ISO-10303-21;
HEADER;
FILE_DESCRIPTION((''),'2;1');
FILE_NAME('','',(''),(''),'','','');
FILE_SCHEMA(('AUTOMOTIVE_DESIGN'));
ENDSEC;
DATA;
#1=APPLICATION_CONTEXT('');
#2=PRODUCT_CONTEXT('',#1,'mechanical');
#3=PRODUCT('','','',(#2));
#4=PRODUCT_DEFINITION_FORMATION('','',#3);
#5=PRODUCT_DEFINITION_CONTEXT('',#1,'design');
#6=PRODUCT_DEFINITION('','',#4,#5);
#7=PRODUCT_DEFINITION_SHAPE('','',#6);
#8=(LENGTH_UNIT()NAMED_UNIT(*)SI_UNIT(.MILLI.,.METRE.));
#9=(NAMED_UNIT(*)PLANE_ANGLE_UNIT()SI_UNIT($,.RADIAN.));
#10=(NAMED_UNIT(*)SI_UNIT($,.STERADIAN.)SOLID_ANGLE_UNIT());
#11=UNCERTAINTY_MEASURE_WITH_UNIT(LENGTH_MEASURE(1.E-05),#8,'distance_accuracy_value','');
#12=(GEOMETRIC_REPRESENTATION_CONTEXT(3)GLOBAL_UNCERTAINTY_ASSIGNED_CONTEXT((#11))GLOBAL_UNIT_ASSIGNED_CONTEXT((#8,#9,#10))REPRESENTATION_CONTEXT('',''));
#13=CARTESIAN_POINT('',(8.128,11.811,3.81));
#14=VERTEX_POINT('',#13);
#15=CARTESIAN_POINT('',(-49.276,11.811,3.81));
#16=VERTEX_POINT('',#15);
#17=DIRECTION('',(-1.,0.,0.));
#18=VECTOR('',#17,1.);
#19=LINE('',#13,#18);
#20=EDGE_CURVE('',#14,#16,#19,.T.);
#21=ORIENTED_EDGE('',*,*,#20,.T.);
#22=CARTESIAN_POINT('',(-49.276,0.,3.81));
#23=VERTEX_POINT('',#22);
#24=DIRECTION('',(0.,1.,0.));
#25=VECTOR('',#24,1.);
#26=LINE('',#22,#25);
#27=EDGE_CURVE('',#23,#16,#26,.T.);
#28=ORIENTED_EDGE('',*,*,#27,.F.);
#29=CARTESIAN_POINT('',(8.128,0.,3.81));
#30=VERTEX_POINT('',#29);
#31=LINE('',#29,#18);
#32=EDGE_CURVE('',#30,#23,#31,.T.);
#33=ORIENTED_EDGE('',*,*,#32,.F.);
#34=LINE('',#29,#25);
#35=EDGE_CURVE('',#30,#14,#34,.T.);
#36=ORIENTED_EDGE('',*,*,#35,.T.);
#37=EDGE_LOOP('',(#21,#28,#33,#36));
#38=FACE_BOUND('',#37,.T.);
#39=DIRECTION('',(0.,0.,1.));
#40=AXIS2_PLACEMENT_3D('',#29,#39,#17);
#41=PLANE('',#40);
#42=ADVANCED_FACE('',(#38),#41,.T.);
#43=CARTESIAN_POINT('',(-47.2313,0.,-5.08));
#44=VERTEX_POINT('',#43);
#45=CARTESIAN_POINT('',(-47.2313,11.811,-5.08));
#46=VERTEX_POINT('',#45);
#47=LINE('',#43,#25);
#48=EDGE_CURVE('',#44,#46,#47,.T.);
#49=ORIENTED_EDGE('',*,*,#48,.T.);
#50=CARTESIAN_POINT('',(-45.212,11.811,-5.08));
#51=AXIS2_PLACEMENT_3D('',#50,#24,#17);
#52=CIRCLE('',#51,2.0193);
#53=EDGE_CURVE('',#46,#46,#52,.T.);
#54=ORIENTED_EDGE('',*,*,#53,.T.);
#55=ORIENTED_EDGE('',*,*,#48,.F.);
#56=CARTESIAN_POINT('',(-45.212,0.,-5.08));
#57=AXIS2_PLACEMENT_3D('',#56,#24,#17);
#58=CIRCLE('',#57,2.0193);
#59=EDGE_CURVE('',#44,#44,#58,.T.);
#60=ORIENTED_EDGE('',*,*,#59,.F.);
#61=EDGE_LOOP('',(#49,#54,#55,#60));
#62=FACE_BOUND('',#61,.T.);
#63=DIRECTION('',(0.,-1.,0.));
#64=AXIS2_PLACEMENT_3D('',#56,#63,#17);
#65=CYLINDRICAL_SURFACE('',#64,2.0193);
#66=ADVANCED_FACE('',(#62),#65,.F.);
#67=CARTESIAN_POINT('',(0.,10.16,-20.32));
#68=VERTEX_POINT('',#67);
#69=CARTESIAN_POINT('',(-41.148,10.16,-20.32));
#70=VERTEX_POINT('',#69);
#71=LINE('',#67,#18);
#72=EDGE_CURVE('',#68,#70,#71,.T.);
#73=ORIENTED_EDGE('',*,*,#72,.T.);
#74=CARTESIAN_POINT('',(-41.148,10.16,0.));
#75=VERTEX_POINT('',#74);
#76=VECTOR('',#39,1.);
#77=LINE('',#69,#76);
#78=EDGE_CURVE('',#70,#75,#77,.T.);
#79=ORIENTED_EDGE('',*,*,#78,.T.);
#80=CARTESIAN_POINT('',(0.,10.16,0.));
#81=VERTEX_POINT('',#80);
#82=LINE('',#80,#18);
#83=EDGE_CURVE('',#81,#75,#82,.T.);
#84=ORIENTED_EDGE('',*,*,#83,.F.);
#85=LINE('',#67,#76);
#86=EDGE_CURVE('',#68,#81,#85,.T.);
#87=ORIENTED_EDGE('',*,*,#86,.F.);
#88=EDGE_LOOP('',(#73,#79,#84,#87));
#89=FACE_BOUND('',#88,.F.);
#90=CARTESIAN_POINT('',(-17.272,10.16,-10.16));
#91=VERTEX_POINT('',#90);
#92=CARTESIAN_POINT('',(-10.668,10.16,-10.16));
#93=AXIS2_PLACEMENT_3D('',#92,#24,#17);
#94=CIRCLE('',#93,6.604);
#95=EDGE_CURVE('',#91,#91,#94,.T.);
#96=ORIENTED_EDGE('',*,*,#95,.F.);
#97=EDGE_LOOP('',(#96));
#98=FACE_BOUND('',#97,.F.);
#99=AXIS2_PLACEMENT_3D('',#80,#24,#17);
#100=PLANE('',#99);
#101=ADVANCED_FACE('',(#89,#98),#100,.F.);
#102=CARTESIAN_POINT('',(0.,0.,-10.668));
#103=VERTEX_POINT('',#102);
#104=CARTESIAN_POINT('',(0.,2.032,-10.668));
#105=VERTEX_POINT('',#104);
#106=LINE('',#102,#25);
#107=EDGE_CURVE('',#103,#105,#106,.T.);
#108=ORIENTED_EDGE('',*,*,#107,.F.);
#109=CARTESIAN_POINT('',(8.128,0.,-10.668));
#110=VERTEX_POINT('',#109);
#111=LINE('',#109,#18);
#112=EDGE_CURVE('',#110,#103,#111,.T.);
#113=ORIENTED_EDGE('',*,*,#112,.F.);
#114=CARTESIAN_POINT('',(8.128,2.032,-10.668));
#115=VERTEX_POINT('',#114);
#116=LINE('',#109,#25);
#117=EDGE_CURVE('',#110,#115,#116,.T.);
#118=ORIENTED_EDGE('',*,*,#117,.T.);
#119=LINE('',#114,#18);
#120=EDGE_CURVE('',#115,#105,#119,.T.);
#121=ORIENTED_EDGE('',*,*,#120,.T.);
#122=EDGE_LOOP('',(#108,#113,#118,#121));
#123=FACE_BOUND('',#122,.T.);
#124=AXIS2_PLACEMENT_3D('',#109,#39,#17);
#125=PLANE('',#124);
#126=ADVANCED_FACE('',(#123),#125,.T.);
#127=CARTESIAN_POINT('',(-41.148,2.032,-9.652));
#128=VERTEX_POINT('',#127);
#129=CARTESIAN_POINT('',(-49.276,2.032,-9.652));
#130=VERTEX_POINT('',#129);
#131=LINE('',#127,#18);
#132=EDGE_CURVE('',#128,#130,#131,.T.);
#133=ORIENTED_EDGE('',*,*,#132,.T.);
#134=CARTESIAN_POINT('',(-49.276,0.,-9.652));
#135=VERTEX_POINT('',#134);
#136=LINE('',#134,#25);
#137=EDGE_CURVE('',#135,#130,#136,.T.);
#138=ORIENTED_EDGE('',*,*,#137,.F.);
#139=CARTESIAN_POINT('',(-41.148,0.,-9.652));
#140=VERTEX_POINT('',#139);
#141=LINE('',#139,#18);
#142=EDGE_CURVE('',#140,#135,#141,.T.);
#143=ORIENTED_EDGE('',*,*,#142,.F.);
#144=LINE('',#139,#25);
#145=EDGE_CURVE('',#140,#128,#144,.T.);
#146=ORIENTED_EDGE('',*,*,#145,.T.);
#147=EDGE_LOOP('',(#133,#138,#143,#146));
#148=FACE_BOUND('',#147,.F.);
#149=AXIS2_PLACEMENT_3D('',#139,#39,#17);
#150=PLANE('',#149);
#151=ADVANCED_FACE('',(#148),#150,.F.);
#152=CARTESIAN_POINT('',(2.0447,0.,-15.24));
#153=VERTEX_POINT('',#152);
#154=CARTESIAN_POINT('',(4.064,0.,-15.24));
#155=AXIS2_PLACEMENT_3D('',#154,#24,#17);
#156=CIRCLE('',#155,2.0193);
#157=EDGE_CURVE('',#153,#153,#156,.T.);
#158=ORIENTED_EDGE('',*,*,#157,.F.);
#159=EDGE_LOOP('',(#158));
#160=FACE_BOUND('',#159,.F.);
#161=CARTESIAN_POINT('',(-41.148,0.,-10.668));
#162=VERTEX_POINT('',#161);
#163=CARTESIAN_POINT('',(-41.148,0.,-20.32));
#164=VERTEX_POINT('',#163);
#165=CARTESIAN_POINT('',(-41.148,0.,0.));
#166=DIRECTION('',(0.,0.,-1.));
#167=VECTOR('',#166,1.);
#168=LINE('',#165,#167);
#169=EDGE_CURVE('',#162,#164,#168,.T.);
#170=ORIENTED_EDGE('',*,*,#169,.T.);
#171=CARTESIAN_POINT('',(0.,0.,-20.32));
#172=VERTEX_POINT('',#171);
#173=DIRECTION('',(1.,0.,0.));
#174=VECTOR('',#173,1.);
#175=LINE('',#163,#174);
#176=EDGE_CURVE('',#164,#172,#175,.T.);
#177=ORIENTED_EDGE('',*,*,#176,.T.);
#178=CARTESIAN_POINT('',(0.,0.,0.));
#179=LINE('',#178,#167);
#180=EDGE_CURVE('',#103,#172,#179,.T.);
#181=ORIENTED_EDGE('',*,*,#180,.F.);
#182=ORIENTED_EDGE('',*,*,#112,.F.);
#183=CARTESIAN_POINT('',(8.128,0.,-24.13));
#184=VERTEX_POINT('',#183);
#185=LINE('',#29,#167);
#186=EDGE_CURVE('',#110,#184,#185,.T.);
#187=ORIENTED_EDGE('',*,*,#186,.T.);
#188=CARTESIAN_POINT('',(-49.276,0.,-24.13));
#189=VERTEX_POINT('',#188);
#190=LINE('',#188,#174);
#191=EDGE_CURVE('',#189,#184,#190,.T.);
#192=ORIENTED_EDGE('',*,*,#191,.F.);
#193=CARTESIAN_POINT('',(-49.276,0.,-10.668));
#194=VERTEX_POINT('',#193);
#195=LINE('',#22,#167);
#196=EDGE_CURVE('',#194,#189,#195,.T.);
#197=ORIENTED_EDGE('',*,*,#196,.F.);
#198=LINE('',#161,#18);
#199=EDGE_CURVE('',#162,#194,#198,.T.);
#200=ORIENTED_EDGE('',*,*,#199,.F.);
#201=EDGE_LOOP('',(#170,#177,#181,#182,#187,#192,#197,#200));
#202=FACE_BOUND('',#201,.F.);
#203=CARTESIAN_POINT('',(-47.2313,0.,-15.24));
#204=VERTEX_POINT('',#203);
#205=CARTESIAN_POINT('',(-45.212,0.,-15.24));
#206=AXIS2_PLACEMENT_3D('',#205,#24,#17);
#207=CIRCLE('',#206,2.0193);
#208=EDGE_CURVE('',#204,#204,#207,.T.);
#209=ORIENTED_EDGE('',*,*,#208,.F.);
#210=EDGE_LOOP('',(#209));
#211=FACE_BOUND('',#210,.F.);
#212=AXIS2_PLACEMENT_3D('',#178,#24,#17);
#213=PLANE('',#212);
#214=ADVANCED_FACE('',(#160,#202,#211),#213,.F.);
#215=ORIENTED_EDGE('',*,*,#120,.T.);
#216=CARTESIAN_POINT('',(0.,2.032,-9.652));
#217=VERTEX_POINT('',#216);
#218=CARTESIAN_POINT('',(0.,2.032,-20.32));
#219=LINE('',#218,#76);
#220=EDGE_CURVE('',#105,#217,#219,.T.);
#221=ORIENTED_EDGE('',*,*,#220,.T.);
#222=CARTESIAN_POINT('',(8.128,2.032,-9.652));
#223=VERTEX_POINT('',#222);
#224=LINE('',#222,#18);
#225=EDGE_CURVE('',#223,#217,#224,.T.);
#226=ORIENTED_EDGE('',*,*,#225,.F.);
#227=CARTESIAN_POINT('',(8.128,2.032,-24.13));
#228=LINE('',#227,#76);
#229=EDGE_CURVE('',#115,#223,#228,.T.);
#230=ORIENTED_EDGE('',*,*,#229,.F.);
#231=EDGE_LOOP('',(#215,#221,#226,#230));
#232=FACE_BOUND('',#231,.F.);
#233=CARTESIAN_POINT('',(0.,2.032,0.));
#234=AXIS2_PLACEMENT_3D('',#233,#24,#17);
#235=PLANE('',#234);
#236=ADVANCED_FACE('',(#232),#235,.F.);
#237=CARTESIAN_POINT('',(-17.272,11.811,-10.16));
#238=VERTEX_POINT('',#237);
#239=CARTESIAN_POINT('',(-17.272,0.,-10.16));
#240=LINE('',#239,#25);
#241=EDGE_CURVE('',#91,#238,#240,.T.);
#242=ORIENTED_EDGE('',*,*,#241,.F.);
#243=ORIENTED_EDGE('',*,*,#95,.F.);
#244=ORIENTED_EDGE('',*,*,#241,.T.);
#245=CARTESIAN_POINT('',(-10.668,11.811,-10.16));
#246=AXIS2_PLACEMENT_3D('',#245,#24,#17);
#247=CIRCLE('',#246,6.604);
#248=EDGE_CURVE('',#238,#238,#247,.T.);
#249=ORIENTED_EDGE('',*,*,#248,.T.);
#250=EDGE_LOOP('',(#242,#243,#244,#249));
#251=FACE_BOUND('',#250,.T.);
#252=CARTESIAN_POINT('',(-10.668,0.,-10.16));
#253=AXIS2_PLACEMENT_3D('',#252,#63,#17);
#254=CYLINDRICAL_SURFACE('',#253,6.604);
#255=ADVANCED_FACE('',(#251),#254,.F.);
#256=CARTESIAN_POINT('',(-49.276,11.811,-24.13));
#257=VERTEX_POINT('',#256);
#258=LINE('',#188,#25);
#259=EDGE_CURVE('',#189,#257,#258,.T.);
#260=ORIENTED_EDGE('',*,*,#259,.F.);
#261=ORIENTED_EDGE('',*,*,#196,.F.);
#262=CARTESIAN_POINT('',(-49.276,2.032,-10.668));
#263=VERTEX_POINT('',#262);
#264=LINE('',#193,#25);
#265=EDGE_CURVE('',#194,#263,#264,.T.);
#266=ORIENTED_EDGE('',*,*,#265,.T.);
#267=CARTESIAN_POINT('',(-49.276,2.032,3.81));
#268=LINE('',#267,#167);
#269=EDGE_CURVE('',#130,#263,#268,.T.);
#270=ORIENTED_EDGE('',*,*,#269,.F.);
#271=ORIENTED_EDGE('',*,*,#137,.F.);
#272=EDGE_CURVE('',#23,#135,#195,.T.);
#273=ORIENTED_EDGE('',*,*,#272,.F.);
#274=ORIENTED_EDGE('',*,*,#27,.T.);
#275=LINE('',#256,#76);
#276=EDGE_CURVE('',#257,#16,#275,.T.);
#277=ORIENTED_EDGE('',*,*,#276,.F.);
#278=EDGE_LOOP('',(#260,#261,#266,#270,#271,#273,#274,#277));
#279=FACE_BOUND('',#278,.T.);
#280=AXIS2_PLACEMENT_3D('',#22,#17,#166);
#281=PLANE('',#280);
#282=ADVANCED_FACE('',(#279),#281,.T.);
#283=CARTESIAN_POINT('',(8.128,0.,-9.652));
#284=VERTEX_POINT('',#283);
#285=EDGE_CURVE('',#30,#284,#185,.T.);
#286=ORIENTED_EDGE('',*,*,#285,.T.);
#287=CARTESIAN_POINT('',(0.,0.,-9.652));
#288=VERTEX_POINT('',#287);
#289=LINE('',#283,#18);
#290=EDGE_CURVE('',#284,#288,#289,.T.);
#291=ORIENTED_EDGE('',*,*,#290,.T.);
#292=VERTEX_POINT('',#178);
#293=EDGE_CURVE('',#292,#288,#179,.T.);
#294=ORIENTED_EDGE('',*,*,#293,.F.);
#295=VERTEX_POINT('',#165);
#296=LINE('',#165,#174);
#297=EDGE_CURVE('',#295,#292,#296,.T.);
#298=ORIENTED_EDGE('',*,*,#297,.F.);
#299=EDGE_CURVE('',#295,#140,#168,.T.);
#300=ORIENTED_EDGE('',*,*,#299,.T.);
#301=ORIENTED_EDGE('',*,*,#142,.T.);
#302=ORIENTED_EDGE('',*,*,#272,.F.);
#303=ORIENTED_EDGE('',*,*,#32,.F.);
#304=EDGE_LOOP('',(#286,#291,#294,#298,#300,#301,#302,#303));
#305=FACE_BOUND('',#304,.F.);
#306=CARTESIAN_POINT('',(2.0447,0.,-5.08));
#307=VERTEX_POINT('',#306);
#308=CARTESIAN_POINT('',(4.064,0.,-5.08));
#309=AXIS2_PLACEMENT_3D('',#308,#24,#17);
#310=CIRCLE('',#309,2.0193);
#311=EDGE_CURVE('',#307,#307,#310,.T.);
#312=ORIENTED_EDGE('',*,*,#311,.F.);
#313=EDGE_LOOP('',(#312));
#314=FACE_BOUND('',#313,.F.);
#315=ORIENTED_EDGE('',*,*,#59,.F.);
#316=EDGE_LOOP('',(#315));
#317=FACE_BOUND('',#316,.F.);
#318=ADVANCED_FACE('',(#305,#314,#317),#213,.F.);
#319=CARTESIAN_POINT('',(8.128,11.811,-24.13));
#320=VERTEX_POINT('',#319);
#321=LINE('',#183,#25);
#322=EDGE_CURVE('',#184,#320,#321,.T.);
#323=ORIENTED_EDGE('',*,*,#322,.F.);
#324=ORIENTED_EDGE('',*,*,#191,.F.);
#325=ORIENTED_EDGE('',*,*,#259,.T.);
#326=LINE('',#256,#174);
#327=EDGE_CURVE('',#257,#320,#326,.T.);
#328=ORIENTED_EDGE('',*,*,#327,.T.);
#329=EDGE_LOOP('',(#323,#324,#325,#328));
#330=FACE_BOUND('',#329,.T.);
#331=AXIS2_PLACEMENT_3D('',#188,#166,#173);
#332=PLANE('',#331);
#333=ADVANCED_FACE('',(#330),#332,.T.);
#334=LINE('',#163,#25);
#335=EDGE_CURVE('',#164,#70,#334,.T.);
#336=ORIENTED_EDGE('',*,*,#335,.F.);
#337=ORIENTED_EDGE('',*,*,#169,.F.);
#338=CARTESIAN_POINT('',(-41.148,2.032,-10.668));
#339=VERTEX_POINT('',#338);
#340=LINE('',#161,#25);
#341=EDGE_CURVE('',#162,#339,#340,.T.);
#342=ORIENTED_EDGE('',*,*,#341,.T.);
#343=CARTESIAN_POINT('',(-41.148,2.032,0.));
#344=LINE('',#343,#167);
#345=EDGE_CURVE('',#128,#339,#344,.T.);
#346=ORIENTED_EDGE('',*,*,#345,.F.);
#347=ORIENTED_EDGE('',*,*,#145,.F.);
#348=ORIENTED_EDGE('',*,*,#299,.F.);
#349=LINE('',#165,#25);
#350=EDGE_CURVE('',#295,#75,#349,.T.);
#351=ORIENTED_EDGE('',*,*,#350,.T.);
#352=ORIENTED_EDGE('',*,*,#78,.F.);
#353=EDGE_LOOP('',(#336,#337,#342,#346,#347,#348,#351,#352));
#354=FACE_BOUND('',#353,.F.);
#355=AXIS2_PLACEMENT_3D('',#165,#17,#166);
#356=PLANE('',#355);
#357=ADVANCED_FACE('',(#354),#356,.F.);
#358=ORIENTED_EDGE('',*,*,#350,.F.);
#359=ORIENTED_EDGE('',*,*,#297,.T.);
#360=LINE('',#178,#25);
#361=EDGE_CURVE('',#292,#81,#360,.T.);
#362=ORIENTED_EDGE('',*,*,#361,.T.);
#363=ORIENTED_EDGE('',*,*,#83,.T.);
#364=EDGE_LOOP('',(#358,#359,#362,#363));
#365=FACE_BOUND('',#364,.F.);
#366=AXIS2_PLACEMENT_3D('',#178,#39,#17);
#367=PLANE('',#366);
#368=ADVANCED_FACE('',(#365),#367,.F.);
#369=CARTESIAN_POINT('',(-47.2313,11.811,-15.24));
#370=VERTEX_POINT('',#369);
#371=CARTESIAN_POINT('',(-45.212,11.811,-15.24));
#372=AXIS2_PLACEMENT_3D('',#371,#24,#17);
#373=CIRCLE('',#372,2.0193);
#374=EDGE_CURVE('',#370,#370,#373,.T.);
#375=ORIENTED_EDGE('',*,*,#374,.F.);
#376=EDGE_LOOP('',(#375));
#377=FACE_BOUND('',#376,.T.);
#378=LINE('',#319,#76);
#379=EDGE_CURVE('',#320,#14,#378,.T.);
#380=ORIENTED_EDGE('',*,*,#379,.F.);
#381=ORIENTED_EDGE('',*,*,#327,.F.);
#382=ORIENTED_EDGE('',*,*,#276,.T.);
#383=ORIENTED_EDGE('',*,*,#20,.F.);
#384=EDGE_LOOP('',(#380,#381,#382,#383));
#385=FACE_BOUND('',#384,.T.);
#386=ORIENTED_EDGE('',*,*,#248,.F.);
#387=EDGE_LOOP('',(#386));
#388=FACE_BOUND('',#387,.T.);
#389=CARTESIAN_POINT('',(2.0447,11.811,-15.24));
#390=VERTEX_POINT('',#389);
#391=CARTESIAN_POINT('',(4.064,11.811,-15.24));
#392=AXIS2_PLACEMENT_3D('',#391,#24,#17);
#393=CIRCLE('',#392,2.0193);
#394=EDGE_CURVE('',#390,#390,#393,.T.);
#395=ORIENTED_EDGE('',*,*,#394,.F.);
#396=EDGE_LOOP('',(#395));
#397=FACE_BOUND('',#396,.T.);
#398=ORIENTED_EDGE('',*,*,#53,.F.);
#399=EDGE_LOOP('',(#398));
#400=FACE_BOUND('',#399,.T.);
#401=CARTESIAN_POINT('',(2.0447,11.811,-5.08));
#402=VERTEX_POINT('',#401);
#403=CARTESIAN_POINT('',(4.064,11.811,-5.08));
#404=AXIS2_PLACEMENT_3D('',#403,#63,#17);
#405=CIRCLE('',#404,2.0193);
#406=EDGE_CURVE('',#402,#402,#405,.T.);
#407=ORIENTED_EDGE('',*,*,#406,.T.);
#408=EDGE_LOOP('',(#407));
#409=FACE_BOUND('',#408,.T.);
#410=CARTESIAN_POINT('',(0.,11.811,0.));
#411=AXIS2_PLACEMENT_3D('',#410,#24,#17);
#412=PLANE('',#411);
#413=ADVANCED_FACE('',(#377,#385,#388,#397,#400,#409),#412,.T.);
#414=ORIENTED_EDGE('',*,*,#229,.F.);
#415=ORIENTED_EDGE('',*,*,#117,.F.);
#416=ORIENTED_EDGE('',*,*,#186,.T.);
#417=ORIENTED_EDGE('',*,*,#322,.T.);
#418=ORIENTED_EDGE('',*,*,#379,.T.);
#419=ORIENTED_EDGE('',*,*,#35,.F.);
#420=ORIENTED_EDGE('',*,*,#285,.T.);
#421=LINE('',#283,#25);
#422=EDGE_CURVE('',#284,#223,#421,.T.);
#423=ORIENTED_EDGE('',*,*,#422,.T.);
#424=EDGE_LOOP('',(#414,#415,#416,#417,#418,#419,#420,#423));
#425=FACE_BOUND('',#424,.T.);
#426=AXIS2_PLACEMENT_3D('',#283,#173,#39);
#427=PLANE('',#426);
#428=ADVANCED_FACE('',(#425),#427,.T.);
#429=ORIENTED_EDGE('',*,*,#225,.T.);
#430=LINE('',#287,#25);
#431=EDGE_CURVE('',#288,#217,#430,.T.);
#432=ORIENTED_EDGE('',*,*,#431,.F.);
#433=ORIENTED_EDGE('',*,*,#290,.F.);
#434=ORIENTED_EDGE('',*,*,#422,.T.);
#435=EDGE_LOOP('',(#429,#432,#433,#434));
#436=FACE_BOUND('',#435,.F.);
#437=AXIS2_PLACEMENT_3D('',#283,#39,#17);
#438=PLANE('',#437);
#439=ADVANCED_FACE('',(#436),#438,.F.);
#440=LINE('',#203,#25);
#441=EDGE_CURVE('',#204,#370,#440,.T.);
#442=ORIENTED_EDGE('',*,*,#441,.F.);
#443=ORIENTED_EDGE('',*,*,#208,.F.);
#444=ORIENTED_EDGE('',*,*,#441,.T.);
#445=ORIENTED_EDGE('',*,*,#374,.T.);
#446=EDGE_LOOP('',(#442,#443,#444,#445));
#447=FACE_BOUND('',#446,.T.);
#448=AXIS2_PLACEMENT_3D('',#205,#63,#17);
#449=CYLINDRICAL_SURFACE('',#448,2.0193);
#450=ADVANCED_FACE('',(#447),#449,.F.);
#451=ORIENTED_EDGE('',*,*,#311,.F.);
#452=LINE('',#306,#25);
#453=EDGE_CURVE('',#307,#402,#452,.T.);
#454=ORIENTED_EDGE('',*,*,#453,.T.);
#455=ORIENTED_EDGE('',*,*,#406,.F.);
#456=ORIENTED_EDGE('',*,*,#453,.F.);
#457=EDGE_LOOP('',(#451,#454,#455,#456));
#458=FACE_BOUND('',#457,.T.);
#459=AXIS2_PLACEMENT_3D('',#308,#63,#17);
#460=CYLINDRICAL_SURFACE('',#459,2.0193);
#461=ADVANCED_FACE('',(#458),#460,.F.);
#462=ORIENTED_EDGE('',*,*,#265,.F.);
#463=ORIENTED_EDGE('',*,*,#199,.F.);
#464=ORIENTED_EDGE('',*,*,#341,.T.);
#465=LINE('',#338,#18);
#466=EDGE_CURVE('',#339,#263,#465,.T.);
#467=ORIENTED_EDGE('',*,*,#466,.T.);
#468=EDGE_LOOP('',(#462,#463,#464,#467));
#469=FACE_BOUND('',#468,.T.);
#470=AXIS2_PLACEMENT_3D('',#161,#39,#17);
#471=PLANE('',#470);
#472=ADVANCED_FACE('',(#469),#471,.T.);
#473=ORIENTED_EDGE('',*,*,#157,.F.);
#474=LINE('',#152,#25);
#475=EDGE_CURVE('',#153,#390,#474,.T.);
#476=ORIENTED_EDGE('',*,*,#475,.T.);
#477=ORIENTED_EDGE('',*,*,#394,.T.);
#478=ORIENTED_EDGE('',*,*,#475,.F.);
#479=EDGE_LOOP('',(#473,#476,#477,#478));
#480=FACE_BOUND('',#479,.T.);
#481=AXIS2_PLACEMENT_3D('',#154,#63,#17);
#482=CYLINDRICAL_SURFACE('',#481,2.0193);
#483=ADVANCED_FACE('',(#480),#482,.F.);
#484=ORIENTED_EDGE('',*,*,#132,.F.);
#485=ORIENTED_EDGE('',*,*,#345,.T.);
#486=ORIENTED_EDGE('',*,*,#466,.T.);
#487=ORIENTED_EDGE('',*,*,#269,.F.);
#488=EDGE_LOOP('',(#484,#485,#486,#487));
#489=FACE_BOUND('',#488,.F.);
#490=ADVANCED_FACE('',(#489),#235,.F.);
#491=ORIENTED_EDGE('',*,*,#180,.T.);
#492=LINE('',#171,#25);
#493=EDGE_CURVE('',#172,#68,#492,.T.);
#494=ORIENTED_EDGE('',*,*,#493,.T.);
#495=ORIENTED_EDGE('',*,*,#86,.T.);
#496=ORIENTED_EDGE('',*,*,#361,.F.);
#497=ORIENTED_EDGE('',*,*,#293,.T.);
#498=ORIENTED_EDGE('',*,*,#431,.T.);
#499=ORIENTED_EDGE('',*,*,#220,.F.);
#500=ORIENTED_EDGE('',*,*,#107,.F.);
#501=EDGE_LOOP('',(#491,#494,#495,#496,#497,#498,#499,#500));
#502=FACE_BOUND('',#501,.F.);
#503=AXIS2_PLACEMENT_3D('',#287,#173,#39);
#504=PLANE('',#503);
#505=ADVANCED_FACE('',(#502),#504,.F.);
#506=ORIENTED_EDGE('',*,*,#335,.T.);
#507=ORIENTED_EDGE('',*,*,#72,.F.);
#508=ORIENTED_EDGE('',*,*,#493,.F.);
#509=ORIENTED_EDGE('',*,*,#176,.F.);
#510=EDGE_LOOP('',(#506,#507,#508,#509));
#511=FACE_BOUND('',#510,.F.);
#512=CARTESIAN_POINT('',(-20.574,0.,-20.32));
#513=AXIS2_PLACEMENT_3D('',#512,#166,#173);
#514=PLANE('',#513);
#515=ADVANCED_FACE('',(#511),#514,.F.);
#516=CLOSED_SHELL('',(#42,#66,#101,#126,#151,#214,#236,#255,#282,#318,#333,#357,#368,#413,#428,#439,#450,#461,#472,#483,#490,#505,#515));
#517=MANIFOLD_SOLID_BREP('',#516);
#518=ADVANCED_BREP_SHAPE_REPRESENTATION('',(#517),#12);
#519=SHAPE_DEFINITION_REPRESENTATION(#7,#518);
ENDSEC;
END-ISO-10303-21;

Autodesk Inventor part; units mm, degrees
ref_plane "YZ Plane" through (0, 0, 0) normal (1, 0, 0) x (0, 1, 0)
ref_plane "XZ Plane" through (0, 0, 0) normal (0, 1, 0) x (-1, 0, 0)
ref_plane "XY Plane" through (0, 0, 0) normal (0, 0, 1) x (1, 0, 0)
sketch "Sketch1" plane through (0, 0, 0) normal (0, 1, 0) x (-1, 0, 0)
  line L0 (0, 0) -> (41.148, 0)
  line L1 (41.148, 0) -> (41.148, -20.32)
  line L2 (41.148, -20.32) -> (0, -20.32)
  line L3 (0, -20.32) -> (0, 0)
  circle A0 centre (45.212, -15.24) radius 2.0193
  circle A1 centre (-4.064, -15.24) radius 2.0193
  circle A2 centre (45.212, -5.08) radius 2.0193
  circle A3 centre (-4.064, -5.08) radius 2.0193
  line L4 (41.148, -9.652) -> (49.276, -9.652)
  line L5 (41.148, -10.668) -> (49.276, -10.668)
  line L6 (-8.128, -9.652) -> (0, -9.652)
  line L7 (-8.128, -10.668) -> (0, -10.668)
  line L8 (-8.128, 3.81) -> (49.276, 3.81)
  line L9 (49.276, 3.81) -> (49.276, -24.13)
  line L10 (49.276, -24.13) -> (-8.128, -24.13)
  line L11 (-8.128, -24.13) -> (-8.128, 3.81)
  line L12 (-6.155, -5.4575) -> (-6.0508, -5.4409)
  line L13 (-6.155, -5.4575) -> (-6.0508, -5.4409)
  line L14 (20.574, -20.32) -> (20.574, 0)
  line L15 (-38.8148, -33.5345) -> (54.3929, -33.5345)
  line L16 (-38.8148, 13.2145) -> (52.2934, 13.2145)
  circle A4 centre (10.668, -10.16) radius 6.604
  point P0 (20.574, -10.16)
  dimension "d0" = 41.148
  dimension "d1" = 20.32
  dimension "d4" = 4.0386
  dimension "d5" = 4.0386
  dimension "d18" = 4.064
  dimension "d19" = 4.064
  dimension "d52" = 8.128
  dimension "d53" = 8.128
  dimension "d54" = 3.81
  dimension "d55" = 3.81
  dimension "d59" = 9.906
  dimension "d60" = 13.208
extrude "Extrusion10" add sketch "Sketch1" along normal blind 11.811
extrude "Extrusion11" cut sketch "Sketch1" along normal blind 10.16 contours L0 L14 L2 L3 | L0 L1 L2 L14
extrude "Extrusion12" cut sketch "Sketch1" along normal blind 2.032 contours L3 L7 L11 L6 | L4 L9 L5 L1
properties part number "Servo Mount"
